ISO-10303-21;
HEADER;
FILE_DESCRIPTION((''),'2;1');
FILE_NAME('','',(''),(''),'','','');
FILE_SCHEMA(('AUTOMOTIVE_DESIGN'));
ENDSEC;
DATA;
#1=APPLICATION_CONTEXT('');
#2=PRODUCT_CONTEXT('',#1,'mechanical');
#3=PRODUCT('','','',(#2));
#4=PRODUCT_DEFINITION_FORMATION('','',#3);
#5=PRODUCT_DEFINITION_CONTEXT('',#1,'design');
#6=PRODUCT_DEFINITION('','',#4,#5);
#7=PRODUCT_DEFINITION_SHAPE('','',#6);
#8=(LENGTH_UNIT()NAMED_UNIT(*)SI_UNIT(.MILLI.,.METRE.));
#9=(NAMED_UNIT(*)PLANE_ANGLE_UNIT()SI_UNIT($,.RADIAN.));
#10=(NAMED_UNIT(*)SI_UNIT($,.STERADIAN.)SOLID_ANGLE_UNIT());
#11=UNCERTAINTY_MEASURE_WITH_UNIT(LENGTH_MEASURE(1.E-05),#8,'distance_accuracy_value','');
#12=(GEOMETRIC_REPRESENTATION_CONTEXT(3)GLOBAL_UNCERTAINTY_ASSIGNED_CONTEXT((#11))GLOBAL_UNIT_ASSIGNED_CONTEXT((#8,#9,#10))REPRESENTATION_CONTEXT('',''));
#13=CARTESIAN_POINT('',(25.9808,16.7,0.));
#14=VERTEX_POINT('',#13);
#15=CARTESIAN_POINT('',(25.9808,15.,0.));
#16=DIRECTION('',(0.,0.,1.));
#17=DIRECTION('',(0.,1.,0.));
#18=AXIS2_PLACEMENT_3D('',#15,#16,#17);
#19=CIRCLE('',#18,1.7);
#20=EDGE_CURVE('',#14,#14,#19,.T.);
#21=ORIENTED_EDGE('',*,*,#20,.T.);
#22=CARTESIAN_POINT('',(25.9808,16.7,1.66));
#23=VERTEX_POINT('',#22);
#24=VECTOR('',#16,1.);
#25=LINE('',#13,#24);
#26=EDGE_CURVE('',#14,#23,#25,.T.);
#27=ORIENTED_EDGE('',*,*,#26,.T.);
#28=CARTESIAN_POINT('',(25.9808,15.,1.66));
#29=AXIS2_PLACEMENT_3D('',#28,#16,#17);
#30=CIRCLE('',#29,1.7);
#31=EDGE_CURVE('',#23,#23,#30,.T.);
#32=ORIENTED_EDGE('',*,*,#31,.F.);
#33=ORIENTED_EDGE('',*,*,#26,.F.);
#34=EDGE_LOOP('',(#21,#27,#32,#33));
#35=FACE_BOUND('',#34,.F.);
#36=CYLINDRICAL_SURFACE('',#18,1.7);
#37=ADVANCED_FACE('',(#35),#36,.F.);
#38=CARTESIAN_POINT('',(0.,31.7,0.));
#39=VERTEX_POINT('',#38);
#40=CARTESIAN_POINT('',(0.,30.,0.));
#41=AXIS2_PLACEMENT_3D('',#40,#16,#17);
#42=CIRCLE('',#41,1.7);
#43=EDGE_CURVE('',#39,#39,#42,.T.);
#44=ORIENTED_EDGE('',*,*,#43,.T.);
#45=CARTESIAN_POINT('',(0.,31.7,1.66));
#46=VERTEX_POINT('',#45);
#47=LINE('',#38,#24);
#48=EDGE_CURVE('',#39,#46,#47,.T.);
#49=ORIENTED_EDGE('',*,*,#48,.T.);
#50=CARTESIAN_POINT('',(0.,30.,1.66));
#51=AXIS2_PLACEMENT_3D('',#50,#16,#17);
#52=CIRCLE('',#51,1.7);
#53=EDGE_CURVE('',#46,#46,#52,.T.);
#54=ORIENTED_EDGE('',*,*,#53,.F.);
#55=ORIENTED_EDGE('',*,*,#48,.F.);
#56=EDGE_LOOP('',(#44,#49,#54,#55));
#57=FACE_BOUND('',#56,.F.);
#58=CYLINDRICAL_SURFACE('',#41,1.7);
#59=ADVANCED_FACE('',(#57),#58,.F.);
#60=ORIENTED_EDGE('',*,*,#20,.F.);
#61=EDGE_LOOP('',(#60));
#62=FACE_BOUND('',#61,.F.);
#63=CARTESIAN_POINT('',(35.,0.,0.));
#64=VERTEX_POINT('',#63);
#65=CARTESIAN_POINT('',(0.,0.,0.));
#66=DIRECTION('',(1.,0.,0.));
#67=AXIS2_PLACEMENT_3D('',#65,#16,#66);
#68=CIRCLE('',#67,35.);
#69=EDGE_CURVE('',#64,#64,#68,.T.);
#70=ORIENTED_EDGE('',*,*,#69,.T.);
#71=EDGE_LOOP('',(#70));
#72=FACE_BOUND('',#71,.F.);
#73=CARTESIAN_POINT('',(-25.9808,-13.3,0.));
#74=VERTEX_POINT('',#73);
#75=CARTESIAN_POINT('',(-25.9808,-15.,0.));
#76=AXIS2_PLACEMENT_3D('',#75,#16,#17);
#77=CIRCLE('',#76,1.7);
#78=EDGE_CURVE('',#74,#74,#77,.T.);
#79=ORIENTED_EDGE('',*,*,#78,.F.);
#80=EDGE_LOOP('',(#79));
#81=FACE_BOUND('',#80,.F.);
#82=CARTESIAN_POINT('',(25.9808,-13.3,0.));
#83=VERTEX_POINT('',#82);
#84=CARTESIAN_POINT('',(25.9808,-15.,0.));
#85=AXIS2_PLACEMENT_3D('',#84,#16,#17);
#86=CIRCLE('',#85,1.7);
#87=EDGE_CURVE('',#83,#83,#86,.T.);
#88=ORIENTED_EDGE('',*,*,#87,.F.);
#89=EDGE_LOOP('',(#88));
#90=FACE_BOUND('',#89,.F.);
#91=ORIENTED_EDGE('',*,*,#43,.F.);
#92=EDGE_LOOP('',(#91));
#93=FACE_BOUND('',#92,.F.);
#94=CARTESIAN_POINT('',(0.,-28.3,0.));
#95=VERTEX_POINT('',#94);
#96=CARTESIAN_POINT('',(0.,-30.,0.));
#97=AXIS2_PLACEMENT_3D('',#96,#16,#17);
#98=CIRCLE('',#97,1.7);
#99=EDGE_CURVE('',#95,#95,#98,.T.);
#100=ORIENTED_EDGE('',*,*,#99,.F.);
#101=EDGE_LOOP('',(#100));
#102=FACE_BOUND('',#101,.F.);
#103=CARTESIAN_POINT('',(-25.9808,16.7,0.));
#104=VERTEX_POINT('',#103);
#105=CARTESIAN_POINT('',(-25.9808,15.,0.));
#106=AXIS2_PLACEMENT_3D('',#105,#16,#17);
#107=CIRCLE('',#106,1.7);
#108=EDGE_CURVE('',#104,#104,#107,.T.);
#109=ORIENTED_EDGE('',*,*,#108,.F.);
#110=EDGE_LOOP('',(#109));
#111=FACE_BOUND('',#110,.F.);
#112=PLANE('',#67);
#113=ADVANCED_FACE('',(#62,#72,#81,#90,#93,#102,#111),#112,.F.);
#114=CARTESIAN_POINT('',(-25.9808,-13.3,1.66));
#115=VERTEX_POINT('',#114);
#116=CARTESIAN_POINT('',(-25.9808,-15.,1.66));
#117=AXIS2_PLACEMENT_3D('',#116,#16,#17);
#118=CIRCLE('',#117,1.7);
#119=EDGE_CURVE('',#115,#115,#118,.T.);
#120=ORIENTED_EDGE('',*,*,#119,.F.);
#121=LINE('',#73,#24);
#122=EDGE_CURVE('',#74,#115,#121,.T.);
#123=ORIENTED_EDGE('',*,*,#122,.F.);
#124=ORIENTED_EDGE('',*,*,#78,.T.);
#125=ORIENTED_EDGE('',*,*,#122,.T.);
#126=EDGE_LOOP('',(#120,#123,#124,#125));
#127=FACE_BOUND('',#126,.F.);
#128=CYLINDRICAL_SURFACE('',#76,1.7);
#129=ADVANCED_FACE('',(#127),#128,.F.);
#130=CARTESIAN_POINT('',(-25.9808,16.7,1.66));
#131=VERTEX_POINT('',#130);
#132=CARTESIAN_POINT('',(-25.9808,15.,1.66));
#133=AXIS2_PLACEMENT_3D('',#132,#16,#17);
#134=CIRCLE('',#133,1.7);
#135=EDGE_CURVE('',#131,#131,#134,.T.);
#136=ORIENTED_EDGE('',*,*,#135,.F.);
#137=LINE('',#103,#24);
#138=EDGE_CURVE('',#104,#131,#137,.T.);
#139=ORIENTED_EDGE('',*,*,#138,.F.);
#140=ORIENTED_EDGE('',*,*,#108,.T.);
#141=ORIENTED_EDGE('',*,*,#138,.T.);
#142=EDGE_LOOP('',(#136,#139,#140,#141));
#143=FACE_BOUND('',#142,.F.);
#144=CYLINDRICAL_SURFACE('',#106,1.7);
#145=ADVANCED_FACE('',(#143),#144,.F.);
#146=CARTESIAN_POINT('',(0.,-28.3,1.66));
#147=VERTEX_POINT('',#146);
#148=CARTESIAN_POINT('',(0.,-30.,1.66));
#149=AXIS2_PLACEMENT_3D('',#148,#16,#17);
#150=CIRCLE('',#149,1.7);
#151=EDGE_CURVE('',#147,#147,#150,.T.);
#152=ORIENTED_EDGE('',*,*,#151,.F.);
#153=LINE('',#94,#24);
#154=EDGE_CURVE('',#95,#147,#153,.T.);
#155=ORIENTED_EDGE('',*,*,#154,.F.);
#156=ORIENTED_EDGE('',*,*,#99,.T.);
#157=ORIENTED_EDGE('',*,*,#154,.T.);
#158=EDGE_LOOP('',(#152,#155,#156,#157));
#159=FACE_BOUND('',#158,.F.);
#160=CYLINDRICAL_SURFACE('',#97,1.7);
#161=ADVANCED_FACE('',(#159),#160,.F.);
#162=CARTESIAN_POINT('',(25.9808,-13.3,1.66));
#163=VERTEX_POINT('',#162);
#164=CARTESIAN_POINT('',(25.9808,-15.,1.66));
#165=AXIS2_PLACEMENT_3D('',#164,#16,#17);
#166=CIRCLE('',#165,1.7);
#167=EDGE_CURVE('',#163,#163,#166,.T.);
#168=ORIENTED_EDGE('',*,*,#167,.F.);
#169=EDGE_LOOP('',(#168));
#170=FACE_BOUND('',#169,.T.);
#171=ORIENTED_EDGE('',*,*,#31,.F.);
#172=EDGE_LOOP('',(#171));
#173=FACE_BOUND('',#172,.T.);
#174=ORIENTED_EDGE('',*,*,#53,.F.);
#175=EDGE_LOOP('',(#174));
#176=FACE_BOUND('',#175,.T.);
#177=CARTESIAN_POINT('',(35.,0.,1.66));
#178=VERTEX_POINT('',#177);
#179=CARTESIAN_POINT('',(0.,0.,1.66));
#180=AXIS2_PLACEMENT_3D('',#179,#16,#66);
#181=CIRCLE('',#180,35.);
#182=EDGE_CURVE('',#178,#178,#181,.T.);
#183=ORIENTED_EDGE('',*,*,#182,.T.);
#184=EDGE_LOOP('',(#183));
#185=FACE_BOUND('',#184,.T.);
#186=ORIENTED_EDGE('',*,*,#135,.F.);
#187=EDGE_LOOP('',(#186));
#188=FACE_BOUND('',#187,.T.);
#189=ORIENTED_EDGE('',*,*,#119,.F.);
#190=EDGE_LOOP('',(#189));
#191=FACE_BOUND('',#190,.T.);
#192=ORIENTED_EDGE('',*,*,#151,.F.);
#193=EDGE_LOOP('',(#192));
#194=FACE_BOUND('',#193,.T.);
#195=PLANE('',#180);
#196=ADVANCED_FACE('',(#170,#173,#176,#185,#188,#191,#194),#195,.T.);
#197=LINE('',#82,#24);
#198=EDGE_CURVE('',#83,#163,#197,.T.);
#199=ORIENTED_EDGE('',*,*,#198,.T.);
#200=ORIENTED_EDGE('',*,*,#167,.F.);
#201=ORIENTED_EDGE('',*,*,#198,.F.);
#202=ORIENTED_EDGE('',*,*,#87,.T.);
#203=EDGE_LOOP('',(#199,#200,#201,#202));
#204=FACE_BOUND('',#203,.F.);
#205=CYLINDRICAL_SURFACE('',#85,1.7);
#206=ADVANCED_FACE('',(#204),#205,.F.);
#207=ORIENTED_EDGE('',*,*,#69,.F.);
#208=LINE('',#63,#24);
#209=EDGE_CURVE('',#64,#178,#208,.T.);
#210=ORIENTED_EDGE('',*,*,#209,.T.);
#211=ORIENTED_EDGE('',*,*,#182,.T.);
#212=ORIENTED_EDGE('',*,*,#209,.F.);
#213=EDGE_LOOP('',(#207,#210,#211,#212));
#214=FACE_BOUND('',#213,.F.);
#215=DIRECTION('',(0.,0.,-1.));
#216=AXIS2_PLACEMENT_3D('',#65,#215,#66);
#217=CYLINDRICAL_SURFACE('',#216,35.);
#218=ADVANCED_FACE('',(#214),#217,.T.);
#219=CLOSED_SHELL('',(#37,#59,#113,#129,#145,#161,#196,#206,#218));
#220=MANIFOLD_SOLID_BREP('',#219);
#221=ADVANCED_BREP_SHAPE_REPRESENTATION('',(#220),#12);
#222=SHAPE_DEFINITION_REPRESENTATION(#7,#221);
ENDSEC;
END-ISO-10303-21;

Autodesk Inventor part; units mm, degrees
ref_plane "YZ Plane" through (0, 0, 0) normal (1, 0, 0) x (0, 1, 0)
ref_plane "XZ Plane" through (0, 0, 0) normal (0, 1, 0) x (-1, 0, 0)
ref_plane "XY Plane" through (0, 0, 0) normal (0, 0, 1) x (1, 0, 0)
sketch "Sketch1" plane through (0, 0, 0) normal (0, 0, 1) x (1, 0, 0)
  circle A0 centre (0, 0) radius 35
  point P0 (0, 30)
  point P1 (-25.9808, 15)
  point P2 (-25.9808, -15)
  point P3 (0, -30)
  point P4 (25.9808, -15)
  point P5 (25.9808, 15)
  dimension "d0" = 30
  dimension "d1" = 70
  dimension "d13" = 360
extrude "Extrusion1" add sketch "Sketch1" along normal blind 1.66
hole "Hole1" at (0, 30, 0) at (25.9808, 15, 0) at (0, -30, 0) at (-25.9808, -15, 0) at (-25.9808, 15, 0) at (25.9808, -15, 0) direction (0, 0, 1) diameter 3.4 depth 8 tip angle 118 clearance for "Flat Head Machine Screw" size "M3" standard "Ansi Metric M Profile"
properties part number "capsule.electronics.board"
